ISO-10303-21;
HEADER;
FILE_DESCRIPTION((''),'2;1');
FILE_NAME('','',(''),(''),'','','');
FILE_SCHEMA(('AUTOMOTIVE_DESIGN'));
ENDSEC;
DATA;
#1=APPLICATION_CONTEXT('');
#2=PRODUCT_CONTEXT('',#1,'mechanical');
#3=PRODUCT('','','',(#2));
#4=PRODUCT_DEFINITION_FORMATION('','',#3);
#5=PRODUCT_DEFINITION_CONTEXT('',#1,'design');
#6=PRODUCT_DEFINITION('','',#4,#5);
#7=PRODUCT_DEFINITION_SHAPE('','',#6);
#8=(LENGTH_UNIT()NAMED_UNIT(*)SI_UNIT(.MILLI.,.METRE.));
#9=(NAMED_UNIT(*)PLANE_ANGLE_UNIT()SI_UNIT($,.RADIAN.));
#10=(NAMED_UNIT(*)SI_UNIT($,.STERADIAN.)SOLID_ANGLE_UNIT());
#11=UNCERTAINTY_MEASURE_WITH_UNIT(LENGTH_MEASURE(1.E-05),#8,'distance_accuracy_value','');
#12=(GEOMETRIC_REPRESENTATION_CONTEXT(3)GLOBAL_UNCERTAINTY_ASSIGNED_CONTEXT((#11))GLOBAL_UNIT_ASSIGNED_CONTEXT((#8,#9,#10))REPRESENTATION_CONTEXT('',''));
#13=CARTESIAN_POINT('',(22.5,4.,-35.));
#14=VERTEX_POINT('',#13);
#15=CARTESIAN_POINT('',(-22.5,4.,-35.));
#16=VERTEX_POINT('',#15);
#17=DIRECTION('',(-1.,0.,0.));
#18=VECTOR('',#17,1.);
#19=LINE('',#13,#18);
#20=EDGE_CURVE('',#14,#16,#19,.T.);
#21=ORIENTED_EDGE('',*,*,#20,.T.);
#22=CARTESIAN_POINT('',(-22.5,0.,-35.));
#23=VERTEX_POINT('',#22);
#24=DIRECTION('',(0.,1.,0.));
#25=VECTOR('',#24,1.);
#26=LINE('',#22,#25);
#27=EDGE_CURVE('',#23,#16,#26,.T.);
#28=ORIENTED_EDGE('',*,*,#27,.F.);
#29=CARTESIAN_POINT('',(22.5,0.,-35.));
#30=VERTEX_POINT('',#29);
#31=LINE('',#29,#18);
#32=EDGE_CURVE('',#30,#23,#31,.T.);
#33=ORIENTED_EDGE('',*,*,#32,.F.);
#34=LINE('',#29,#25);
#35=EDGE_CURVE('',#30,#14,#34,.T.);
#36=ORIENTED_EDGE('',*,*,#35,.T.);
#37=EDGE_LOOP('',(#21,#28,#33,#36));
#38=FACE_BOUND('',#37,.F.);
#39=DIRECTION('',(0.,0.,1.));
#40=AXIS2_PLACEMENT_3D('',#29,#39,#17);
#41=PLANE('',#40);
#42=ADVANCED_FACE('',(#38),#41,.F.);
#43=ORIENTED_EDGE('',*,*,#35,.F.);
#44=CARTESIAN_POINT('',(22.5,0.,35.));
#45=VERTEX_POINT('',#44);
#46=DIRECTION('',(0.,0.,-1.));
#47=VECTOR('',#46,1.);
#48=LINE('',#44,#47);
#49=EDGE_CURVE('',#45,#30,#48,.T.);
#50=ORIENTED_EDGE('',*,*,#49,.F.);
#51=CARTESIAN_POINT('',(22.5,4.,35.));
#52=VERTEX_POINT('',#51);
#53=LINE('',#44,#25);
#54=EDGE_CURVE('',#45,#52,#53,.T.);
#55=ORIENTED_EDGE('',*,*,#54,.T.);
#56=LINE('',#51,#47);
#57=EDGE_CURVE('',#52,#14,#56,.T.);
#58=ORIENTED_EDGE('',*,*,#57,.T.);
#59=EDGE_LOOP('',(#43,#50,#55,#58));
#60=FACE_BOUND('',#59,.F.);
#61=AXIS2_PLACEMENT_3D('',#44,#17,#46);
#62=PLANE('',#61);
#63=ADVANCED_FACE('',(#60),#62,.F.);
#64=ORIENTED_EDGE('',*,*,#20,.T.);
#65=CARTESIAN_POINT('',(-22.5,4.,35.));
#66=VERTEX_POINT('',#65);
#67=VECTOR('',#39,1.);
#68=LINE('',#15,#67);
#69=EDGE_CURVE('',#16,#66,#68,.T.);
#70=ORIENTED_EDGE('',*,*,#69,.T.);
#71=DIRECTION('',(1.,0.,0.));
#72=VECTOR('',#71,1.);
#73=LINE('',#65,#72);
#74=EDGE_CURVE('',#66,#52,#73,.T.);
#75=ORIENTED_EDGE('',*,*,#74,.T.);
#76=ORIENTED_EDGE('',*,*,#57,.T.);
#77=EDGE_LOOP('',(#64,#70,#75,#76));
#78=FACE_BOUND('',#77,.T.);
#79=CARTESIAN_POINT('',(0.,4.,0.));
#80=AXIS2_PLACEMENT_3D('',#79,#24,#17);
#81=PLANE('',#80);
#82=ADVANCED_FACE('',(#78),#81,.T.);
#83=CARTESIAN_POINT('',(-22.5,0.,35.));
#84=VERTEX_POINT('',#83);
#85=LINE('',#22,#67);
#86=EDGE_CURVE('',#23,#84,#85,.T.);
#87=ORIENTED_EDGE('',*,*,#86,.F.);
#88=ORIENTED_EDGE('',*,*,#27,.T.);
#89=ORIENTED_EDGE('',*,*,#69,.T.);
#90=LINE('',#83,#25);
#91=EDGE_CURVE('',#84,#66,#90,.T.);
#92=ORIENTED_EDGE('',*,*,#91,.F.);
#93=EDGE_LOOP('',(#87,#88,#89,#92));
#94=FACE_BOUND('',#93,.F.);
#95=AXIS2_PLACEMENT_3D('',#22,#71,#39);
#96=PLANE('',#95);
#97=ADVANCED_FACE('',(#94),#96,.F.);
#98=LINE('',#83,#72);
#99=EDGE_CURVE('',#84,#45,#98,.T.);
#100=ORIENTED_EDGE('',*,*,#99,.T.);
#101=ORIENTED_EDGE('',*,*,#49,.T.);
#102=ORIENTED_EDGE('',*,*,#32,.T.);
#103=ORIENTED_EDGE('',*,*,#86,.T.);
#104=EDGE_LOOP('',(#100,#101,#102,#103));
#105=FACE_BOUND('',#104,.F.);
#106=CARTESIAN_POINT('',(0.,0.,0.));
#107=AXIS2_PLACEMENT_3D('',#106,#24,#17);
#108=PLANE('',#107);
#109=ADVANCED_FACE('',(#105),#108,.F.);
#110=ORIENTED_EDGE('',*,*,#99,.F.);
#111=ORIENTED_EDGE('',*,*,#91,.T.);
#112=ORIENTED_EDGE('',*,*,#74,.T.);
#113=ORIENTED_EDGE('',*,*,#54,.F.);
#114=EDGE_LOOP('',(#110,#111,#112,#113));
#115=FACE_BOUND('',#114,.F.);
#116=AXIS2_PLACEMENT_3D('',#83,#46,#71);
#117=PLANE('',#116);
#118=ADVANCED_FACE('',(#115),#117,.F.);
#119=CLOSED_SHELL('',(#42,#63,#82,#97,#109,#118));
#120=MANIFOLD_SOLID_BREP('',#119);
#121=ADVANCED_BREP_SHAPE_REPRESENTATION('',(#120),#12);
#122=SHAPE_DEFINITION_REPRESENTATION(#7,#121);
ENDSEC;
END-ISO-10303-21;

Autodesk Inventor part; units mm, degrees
ref_plane "YZ Plane" through (0, 0, 0) normal (1, 0, 0) x (0, 1, 0)
ref_plane "XZ Plane" through (0, 0, 0) normal (0, 1, 0) x (-1, 0, 0)
ref_plane "XY Plane" through (0, 0, 0) normal (0, 0, 1) x (1, 0, 0)
sketch "Sketch1" plane through (0, 0, 0) normal (0, 1, 0) x (-1, 0, 0)
  line L0 (22.5, 35) -> (-22.5, 35)
  line L1 (-22.5, 35) -> (-22.5, -35)
  line L2 (-22.5, -35) -> (22.5, -35)
  line L3 (22.5, -35) -> (22.5, 35)
  point P0 (0, 0)
  dimension "d0" = 70
  dimension "d1" = 45
  dimension "d2" = 22.5
  dimension "d3" = 35
extrude "Extrusion1" add sketch "Sketch1" along normal blind 4
properties part number "REDMI"
